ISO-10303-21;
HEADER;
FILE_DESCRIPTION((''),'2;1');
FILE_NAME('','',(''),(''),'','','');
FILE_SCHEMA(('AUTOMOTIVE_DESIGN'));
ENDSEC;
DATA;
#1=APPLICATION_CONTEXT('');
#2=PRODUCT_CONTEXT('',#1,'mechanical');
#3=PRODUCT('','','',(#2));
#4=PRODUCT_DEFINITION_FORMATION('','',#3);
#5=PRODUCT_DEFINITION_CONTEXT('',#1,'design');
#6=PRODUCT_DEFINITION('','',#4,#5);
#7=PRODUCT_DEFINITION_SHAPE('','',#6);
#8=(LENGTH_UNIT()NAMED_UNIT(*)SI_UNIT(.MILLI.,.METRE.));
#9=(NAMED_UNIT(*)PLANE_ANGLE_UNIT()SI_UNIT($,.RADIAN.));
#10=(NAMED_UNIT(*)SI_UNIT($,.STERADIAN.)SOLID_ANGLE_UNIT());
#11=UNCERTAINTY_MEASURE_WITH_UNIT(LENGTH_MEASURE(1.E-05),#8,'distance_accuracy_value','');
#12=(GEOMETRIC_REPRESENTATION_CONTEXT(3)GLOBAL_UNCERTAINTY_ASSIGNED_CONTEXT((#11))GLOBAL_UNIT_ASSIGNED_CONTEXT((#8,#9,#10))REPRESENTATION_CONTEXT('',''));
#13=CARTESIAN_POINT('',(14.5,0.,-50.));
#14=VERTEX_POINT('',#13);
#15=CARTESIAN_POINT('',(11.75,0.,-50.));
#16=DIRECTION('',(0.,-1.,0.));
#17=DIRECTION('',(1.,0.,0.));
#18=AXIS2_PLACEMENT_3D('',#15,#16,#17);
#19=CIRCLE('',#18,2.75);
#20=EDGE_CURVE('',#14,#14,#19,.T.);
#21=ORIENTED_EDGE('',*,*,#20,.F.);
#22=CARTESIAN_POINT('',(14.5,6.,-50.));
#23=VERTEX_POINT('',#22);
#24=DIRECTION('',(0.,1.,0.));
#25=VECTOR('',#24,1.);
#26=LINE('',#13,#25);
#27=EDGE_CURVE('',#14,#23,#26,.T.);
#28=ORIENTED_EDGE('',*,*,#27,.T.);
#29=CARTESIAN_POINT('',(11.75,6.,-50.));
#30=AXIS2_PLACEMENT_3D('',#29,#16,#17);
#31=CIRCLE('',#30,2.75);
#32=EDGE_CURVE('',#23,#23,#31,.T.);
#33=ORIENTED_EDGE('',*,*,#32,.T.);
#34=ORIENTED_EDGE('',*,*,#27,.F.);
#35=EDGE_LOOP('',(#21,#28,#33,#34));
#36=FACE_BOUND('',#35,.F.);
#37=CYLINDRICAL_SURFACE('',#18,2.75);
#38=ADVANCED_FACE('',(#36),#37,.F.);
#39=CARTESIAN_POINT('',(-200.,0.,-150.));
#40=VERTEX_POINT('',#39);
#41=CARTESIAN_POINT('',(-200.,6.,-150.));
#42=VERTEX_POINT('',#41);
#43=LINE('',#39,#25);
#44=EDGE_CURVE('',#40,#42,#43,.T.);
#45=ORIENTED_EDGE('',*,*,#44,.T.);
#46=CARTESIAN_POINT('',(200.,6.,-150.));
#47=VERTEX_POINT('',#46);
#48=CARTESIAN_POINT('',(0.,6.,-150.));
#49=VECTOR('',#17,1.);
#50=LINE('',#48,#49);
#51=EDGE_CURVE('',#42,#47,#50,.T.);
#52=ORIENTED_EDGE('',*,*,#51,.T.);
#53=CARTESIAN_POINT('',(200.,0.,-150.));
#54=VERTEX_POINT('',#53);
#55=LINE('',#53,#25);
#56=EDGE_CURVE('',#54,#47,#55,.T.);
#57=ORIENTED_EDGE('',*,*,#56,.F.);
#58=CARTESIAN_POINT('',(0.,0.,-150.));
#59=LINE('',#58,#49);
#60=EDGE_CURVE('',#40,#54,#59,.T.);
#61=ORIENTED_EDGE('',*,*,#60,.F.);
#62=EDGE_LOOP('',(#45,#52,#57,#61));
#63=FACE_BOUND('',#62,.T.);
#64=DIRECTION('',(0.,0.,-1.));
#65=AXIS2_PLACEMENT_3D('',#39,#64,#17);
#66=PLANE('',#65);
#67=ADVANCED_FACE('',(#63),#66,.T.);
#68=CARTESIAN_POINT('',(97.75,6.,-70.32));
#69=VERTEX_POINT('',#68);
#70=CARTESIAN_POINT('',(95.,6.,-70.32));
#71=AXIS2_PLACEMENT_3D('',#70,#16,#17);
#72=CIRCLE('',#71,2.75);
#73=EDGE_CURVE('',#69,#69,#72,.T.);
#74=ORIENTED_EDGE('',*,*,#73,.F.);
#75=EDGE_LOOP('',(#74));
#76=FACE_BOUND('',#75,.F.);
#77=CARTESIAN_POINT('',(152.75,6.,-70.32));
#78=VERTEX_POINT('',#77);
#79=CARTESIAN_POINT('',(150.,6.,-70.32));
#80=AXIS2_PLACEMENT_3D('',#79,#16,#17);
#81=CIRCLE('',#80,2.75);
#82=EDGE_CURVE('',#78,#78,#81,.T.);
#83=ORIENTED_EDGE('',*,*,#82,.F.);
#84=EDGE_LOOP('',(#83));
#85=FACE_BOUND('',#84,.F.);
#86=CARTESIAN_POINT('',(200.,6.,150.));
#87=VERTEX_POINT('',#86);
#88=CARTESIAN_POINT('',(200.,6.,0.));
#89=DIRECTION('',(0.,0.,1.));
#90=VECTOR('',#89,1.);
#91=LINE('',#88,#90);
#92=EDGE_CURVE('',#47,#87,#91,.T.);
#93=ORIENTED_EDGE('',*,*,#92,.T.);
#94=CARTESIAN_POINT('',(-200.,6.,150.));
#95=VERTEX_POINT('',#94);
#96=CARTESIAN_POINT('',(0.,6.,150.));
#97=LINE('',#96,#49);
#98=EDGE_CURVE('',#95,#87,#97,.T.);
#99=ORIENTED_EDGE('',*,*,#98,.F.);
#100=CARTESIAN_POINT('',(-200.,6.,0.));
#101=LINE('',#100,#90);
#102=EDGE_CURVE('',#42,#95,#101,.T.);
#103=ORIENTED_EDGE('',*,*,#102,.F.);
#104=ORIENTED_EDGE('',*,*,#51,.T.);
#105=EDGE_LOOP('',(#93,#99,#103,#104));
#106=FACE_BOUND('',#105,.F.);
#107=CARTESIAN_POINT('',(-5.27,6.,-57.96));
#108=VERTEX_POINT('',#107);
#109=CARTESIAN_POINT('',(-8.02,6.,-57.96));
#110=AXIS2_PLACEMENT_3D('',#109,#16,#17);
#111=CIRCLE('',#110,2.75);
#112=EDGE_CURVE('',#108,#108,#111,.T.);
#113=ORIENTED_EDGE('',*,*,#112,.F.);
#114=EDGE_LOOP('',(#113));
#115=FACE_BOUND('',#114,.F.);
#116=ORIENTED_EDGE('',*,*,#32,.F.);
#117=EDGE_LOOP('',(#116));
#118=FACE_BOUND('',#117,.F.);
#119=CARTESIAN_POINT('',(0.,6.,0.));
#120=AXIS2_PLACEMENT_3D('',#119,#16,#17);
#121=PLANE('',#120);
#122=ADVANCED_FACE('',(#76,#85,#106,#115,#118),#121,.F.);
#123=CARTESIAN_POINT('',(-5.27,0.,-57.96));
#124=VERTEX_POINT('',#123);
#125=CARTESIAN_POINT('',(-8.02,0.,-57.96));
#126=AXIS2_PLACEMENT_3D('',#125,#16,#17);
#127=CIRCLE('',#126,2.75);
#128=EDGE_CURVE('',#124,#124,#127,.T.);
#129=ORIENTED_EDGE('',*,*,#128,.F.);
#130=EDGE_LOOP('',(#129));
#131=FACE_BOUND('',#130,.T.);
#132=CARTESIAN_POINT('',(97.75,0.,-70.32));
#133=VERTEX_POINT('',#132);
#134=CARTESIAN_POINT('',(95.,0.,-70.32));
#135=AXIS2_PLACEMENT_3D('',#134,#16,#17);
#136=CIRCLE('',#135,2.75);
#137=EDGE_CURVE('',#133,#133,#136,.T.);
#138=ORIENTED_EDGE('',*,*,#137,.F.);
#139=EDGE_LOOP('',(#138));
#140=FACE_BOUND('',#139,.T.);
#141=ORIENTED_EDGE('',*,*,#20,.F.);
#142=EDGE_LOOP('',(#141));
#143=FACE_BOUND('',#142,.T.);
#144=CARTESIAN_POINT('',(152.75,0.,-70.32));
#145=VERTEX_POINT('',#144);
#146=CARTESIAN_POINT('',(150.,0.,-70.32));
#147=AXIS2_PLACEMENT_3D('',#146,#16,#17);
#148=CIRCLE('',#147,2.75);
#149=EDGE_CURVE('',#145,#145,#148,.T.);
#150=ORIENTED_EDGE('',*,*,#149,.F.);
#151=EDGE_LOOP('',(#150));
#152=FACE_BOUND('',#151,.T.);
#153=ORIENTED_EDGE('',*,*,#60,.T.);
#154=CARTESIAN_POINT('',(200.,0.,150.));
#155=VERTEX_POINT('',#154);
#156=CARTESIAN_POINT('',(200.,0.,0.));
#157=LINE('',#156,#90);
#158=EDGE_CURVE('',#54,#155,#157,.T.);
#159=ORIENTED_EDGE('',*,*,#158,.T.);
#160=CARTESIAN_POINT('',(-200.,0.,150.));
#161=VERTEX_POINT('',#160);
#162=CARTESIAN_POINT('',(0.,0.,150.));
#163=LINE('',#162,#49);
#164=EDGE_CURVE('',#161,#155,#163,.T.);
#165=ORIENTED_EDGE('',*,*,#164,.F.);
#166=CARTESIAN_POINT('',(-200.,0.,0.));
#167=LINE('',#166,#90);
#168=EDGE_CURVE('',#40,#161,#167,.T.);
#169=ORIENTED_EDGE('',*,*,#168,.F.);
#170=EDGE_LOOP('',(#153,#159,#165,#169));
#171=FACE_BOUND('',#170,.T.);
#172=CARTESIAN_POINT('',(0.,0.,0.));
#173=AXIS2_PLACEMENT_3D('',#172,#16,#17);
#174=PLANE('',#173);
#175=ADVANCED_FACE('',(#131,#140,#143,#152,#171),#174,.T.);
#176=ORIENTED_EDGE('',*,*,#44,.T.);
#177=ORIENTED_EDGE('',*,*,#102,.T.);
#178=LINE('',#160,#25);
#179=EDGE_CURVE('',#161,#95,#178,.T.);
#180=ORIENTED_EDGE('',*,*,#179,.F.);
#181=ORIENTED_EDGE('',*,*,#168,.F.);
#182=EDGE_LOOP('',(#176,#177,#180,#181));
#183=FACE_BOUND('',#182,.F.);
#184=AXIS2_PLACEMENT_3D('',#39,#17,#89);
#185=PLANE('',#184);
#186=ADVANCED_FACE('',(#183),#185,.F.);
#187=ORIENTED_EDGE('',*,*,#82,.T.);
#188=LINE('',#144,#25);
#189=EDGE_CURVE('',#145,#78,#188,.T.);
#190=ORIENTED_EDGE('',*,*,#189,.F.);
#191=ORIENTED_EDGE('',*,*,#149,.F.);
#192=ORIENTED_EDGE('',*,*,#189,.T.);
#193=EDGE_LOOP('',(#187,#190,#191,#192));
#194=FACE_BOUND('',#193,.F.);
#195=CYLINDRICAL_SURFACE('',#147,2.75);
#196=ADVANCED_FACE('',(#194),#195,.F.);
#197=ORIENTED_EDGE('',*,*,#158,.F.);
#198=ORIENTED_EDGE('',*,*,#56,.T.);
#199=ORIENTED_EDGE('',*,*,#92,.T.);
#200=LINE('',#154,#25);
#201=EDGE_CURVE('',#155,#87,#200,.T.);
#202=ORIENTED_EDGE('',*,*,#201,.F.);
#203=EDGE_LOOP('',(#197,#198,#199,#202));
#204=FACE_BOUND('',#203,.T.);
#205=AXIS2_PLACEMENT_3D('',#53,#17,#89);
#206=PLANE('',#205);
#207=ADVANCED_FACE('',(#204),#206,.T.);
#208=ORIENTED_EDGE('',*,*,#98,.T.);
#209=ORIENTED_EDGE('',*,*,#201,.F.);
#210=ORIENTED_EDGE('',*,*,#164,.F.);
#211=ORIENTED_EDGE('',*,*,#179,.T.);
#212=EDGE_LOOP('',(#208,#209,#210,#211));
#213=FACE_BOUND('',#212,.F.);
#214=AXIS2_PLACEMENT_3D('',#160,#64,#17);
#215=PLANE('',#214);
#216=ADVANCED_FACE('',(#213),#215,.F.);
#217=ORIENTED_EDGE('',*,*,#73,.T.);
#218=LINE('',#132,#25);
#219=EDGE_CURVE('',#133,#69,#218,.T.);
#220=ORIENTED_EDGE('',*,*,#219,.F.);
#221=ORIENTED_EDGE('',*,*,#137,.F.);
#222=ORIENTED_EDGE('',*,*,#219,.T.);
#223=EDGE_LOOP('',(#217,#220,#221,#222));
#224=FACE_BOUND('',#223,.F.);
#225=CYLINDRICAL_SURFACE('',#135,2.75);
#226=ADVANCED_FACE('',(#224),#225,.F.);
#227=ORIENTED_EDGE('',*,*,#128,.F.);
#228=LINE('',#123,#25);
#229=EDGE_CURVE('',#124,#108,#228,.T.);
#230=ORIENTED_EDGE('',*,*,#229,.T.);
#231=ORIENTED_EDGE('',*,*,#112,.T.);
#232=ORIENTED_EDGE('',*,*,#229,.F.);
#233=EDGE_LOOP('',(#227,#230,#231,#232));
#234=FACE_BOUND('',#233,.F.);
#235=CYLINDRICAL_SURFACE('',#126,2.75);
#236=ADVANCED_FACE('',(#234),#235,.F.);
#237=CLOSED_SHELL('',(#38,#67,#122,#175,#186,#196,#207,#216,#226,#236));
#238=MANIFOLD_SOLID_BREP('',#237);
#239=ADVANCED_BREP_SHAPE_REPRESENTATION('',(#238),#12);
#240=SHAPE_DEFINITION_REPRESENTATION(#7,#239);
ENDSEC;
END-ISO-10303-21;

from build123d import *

# Parameters (mm, degrees)
F0_W     = 400
F0_H     = 300
F1_DEPTH = 6
F3_R     = 2.75
F4_DEPTH = 6


with BuildPart() as f1:
    # F0 (on Front) → F1 (new body)
    with BuildSketch(Plane.XZ):
        Rectangle(F0_W, F0_H)
    extrude(amount=-F1_DEPTH)

    # F3 (on face) → F4 (cut, through all)
    with BuildSketch(Plane.XZ):
        with Locations((150, -70.32)):
            Circle(F3_R)
        with Locations((95, -70.32)):
            Circle(F3_R)
        with Locations((11.75, -50)):
            Circle(F3_R)
        with Locations((-8.02, -57.96)):
            Circle(F3_R)
    extrude(amount=-F4_DEPTH, mode=Mode.SUBTRACT)


solid = f1.part
